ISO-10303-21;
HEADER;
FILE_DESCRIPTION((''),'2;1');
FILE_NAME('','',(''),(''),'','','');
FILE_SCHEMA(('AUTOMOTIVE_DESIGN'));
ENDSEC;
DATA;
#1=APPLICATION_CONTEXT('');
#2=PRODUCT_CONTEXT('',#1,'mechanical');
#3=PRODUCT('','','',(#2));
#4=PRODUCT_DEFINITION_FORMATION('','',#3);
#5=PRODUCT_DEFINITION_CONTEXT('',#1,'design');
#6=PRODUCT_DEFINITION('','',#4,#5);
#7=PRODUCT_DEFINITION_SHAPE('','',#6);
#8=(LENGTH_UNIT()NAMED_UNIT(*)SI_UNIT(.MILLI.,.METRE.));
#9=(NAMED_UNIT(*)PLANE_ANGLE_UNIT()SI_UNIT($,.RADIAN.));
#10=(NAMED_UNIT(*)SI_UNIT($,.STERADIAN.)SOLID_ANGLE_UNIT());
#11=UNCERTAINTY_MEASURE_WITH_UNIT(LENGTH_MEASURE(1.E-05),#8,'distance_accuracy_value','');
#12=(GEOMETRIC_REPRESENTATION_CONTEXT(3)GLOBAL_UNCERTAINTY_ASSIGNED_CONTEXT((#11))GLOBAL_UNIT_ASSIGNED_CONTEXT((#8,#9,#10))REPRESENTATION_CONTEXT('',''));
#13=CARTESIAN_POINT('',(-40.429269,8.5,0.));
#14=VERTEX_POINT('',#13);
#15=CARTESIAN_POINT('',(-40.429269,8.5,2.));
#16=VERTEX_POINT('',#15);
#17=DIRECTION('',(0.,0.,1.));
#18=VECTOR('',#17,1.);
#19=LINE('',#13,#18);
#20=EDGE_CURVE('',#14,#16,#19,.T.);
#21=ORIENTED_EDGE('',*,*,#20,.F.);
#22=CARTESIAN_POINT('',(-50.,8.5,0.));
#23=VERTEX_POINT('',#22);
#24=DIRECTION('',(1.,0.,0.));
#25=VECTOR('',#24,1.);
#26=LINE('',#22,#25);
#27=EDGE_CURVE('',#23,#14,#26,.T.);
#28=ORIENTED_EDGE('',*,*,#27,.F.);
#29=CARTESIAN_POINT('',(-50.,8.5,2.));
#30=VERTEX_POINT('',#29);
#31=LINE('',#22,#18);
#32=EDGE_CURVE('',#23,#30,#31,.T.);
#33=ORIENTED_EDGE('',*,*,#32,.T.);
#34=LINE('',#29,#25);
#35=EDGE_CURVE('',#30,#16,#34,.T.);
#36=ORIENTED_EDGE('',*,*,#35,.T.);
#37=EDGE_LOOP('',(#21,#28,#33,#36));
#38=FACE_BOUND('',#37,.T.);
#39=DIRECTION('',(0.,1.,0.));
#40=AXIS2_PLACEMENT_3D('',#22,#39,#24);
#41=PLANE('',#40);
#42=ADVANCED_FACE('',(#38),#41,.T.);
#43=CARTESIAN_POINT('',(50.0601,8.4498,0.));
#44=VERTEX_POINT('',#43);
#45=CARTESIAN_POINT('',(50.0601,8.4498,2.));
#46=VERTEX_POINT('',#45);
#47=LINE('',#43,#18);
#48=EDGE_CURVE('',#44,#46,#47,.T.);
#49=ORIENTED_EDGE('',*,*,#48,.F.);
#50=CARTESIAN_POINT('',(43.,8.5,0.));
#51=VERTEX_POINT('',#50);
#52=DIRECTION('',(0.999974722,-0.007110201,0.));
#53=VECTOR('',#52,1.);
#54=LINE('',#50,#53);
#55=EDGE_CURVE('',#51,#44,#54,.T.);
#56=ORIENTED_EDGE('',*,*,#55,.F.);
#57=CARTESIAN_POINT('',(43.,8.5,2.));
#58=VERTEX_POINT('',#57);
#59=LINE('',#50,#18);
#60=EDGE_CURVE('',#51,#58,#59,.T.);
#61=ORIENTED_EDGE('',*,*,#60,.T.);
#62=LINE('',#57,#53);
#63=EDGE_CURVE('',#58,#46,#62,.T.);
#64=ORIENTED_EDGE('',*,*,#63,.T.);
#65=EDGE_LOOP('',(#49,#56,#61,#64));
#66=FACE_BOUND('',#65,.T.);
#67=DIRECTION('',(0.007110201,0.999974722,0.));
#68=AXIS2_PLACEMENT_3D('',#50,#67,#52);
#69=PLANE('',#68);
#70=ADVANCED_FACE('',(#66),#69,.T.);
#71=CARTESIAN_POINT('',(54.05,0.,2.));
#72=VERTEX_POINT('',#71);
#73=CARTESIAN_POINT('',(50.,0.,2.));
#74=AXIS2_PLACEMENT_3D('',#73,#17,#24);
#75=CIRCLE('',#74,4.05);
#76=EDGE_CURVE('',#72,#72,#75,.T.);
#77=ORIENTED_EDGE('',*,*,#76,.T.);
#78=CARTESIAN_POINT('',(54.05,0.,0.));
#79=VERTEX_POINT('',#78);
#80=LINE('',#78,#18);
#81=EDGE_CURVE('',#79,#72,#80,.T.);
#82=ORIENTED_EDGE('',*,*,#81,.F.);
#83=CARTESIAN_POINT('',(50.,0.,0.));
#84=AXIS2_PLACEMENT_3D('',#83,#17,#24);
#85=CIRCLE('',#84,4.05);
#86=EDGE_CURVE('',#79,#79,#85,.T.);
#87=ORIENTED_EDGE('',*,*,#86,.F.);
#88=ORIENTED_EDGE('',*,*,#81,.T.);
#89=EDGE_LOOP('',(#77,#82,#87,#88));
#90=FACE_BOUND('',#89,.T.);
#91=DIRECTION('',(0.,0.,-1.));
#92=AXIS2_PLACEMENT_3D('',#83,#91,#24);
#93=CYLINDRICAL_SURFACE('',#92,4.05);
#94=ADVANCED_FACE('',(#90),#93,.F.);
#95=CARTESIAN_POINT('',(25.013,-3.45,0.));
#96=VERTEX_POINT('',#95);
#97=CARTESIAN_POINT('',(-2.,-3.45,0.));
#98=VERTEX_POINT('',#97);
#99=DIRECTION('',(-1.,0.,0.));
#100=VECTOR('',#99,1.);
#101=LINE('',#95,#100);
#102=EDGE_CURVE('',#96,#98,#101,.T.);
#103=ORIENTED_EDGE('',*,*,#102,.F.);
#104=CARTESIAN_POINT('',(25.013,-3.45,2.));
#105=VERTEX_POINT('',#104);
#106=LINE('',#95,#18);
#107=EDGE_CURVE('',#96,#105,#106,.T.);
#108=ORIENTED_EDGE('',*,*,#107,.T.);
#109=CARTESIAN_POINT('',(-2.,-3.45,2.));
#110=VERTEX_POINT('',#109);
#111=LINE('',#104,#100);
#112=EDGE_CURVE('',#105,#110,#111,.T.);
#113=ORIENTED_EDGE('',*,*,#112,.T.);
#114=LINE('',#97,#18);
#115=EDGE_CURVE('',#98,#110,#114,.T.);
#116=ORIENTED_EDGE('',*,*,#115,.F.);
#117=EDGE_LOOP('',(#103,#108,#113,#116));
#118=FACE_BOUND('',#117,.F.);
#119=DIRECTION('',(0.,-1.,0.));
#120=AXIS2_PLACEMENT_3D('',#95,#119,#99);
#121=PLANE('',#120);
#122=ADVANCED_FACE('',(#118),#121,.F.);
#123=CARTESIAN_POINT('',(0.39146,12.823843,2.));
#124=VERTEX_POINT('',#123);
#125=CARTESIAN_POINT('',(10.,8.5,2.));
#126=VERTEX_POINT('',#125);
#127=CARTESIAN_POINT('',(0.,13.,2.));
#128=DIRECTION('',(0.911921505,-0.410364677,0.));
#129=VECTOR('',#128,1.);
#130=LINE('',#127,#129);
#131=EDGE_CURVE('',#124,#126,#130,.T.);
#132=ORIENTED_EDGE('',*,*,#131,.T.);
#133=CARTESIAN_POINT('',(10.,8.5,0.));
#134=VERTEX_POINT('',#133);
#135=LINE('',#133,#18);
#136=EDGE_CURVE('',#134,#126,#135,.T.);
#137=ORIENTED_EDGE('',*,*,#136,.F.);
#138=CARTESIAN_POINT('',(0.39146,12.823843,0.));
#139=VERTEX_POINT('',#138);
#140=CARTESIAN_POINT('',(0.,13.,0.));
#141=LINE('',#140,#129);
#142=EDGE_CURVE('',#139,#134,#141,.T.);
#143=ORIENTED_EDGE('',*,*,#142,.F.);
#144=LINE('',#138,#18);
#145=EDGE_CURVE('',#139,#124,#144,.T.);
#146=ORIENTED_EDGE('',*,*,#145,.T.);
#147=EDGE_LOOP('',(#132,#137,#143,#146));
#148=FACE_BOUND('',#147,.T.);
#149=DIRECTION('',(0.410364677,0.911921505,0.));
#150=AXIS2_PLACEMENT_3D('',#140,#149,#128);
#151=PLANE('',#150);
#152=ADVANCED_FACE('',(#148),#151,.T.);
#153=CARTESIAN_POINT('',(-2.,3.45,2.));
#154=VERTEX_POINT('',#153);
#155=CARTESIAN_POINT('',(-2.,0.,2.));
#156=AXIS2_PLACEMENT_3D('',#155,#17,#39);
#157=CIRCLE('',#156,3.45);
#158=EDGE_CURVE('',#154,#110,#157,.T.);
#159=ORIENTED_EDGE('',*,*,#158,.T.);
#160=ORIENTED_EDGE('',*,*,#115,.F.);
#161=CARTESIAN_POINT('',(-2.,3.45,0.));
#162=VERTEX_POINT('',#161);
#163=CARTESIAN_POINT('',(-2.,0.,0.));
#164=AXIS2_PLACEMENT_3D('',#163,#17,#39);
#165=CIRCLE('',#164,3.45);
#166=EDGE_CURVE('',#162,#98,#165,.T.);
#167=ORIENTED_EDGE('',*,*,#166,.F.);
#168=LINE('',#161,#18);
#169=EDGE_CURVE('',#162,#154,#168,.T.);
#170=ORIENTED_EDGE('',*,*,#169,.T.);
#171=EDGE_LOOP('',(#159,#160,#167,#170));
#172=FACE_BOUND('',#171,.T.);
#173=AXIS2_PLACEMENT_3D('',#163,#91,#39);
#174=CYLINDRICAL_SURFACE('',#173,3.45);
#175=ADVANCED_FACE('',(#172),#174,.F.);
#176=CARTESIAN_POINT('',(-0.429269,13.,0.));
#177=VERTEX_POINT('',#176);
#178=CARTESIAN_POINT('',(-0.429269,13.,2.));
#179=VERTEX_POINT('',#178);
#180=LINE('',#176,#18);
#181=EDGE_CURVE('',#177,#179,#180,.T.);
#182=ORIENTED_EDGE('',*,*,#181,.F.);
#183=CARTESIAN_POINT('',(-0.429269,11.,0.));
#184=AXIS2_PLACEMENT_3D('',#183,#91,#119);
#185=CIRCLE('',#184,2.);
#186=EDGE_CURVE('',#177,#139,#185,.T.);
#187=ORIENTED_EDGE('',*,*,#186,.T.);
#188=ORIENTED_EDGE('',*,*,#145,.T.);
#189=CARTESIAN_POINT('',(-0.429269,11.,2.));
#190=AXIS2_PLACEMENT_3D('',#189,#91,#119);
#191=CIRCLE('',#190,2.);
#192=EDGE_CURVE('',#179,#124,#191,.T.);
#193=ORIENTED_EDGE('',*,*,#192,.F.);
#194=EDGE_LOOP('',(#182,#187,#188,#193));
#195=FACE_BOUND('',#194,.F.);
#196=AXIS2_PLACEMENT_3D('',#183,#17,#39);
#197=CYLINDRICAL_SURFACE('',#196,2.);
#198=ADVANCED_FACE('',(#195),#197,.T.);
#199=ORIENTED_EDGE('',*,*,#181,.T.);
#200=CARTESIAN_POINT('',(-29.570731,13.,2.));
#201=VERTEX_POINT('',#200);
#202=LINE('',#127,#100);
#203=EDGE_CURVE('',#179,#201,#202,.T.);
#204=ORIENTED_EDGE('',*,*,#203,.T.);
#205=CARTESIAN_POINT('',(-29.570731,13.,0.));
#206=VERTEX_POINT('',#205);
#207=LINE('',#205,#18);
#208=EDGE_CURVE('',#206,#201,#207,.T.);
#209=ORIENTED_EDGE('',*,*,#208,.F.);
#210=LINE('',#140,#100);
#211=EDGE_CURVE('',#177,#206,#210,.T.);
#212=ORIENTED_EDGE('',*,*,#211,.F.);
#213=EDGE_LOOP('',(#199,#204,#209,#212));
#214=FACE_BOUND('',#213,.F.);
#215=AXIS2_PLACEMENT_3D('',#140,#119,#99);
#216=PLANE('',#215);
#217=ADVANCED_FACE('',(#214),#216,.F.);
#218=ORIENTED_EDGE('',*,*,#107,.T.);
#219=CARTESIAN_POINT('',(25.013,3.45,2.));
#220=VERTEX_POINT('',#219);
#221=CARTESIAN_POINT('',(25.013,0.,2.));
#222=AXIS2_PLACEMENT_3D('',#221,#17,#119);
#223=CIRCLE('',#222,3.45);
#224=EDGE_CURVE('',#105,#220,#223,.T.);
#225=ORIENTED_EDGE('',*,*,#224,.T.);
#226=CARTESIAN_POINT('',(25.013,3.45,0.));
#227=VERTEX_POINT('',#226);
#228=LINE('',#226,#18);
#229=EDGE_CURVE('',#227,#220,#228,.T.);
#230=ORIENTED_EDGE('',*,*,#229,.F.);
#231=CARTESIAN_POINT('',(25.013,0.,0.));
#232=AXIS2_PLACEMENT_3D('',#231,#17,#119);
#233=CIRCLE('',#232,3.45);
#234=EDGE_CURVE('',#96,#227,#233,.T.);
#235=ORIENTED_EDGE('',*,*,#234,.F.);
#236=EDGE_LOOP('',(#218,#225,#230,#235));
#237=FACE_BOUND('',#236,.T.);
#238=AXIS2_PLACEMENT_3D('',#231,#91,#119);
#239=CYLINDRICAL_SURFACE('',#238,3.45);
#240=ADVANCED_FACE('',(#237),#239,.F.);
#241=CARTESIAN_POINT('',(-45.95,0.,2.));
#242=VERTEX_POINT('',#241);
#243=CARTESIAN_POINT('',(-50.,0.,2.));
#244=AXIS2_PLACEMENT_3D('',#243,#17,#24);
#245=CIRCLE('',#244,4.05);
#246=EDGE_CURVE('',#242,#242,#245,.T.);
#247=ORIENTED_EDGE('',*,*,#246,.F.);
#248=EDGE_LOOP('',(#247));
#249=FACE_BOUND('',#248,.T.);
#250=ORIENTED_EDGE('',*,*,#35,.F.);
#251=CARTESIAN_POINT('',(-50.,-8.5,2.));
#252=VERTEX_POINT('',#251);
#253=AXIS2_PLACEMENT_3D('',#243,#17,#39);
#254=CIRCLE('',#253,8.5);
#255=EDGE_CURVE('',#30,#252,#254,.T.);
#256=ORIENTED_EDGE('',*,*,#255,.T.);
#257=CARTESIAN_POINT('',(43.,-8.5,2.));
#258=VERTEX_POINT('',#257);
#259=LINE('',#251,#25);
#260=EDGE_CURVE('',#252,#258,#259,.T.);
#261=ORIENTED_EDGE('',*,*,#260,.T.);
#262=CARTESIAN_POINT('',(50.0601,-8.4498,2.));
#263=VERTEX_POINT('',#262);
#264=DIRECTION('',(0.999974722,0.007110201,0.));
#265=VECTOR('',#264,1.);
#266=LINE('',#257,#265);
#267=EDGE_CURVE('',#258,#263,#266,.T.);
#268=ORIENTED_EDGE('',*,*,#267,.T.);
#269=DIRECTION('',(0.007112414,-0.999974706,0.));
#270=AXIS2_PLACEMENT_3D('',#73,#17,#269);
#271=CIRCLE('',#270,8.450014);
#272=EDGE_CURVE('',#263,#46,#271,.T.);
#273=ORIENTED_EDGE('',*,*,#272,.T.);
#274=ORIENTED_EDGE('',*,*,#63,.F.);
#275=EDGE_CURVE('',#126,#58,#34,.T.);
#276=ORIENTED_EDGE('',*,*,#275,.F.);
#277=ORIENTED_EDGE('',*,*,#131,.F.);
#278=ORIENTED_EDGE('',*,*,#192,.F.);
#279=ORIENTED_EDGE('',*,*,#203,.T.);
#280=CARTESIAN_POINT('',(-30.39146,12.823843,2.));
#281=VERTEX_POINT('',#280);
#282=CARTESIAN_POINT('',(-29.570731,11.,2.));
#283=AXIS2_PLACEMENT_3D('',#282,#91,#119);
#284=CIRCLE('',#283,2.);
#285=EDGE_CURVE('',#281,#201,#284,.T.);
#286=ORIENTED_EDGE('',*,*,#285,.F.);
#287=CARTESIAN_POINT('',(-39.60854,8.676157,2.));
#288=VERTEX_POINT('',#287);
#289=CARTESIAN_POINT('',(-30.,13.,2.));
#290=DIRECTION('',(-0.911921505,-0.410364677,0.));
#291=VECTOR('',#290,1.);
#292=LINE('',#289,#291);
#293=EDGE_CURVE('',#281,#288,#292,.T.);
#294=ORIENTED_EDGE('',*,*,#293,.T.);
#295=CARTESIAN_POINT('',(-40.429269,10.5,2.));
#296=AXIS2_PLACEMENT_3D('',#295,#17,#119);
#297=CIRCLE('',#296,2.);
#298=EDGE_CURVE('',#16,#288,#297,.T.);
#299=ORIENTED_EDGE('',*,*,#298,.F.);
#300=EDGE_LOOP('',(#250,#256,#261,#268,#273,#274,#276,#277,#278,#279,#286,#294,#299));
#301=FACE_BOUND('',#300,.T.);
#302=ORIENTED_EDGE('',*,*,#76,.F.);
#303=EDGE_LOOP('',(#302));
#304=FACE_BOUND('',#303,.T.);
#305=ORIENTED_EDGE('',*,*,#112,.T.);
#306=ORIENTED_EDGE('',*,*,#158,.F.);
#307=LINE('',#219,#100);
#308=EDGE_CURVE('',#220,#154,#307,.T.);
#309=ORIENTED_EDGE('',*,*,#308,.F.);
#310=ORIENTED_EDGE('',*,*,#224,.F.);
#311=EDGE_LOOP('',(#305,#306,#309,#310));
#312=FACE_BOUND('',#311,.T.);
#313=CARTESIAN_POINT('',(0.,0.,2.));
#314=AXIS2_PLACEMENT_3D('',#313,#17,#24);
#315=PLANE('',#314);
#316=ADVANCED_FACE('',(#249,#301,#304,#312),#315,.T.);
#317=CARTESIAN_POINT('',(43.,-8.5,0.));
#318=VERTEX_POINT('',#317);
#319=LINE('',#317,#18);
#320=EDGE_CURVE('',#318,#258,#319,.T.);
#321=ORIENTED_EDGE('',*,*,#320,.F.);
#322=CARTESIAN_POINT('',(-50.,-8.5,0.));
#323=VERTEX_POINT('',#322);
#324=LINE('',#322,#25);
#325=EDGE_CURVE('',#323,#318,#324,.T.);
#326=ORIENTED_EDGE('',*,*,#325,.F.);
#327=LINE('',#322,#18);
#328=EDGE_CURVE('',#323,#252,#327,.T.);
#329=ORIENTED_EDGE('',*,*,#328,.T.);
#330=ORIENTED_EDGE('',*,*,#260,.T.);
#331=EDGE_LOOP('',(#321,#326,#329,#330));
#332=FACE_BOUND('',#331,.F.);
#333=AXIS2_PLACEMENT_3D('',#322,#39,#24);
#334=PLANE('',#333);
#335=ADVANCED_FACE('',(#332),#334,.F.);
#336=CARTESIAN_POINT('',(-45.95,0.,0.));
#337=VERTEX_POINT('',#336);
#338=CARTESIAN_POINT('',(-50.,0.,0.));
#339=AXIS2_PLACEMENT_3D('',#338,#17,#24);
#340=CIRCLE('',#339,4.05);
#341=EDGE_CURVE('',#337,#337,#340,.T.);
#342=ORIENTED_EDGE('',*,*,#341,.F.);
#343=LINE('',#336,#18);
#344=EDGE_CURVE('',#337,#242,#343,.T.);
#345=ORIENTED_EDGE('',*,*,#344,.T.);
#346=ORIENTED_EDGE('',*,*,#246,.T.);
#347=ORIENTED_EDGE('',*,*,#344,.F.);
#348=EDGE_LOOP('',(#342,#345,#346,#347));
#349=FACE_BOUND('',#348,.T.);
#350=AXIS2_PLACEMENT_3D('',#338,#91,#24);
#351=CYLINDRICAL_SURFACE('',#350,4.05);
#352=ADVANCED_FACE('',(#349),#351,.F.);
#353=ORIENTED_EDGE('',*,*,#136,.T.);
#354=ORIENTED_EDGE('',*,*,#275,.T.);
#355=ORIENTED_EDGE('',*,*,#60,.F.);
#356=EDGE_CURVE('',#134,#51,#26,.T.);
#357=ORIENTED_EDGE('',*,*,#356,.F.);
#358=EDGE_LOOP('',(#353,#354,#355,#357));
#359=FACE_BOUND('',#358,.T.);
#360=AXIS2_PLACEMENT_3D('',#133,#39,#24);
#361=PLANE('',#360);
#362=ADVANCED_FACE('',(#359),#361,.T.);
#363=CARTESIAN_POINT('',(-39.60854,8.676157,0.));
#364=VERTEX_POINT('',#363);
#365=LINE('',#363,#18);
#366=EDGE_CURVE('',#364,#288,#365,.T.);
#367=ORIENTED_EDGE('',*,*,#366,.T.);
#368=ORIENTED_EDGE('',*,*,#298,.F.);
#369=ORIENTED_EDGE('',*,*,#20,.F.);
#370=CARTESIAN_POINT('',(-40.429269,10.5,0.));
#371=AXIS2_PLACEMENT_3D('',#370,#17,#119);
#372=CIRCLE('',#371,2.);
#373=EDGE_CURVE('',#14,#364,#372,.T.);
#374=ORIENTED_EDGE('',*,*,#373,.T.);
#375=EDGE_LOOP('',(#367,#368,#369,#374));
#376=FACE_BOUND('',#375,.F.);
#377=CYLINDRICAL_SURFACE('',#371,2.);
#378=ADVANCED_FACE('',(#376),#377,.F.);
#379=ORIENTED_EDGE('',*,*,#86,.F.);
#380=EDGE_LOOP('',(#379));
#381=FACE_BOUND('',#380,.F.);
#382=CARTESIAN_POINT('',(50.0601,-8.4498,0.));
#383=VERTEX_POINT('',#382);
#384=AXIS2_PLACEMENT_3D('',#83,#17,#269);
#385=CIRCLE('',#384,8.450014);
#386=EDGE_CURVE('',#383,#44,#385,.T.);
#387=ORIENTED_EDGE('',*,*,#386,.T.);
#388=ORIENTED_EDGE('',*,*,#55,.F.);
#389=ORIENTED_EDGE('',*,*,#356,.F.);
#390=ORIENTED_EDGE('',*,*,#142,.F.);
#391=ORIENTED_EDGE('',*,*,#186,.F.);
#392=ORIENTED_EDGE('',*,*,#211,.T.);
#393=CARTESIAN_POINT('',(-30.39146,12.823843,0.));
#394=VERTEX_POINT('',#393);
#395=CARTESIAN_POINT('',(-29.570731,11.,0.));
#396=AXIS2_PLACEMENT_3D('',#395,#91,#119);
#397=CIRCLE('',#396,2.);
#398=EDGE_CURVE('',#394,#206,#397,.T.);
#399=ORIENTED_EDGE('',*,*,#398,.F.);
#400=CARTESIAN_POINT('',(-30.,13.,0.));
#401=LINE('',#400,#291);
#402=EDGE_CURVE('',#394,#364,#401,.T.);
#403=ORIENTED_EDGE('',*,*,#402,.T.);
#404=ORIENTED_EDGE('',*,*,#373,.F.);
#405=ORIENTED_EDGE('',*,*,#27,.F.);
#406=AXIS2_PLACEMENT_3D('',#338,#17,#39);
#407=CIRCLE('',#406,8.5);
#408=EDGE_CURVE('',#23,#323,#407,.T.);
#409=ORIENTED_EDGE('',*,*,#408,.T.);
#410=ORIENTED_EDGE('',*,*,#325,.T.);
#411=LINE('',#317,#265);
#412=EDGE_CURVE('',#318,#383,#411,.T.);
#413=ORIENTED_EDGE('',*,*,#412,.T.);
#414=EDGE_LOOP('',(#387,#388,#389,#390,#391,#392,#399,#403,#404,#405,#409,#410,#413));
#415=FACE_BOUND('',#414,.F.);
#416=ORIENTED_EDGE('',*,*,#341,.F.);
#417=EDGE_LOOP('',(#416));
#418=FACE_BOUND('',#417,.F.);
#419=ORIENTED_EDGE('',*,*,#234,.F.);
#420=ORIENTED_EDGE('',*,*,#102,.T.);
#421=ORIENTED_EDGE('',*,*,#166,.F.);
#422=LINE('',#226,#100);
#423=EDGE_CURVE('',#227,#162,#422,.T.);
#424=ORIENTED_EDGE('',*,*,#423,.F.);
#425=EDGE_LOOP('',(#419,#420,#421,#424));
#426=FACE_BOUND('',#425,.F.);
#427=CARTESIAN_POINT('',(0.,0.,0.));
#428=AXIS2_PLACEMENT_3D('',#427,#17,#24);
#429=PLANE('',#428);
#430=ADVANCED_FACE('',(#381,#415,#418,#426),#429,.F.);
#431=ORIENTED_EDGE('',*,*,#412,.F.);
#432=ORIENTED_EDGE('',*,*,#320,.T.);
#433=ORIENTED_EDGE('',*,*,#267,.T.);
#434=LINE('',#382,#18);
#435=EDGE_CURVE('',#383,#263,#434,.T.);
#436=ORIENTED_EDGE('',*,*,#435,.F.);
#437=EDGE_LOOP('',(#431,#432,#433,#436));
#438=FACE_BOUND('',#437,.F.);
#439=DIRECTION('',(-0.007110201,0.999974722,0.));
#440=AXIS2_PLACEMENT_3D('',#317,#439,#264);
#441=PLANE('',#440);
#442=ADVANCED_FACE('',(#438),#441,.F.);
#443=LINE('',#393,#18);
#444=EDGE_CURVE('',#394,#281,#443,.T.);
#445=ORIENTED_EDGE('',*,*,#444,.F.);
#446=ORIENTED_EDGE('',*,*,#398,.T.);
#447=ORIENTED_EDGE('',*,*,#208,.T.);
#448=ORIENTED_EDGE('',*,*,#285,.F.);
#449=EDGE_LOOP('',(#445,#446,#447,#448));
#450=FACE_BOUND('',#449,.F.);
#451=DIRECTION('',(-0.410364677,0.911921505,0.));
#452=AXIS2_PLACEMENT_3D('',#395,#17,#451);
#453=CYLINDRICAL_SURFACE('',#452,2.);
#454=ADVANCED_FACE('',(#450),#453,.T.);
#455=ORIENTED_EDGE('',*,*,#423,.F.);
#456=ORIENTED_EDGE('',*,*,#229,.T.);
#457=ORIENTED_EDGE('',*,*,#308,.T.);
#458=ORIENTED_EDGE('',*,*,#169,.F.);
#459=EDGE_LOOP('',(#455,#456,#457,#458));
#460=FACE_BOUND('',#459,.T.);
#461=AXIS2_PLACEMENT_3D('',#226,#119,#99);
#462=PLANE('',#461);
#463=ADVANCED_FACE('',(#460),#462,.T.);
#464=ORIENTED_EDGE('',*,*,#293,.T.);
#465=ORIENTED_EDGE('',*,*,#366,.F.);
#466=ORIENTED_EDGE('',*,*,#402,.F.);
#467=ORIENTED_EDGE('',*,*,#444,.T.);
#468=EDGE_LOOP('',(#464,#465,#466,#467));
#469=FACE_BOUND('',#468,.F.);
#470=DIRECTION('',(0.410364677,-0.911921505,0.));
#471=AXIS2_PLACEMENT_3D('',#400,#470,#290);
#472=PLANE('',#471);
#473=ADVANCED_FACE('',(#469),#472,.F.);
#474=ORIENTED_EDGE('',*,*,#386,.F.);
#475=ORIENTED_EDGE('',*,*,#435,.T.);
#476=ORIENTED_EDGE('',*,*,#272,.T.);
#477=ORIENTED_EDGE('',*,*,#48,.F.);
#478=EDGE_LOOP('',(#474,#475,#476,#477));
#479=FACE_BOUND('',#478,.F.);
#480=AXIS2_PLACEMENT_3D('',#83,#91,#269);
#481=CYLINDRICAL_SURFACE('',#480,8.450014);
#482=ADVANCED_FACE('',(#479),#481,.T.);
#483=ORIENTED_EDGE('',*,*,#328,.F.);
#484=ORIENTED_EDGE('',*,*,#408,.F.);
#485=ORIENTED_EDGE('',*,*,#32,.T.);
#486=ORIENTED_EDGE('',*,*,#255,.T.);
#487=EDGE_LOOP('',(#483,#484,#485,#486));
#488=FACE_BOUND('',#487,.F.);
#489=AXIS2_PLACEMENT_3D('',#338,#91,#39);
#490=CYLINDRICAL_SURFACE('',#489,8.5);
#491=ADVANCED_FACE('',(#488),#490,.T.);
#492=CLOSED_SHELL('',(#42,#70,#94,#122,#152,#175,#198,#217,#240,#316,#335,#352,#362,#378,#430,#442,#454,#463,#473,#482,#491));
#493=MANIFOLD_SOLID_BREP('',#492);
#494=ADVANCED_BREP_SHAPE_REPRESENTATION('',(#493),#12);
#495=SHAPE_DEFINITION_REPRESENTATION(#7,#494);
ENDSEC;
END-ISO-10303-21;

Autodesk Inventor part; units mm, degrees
ref_plane "YZ Plane" through (0, 0, 0) normal (1, 0, 0) x (0, 1, 0)
ref_plane "XZ Plane" through (0, 0, 0) normal (0, 1, 0) x (-1, 0, 0)
ref_plane "XY Plane" through (0, 0, 0) normal (0, 0, 1) x (1, 0, 0)
sketch "スケッチ1" plane through (0, 0, 0) normal (0, 0, 1) x (1, 0, 0)
  line L0 (-50, 0) -> (50, 0) construction
  circle A0 centre (-50, 0) radius 4.05
  circle A1 centre (50, 0) radius 4.05
  line L1 (-50, 8.5) -> (43, 8.5)
  line L2 (-50, -8.5) -> (43, -8.5)
  arc A2 (-50, 8.5) -> (-50, -8.5) centre (-50, 0) ccw
  arc A3 (25.013, -3.45) -> (25.013, 3.45) centre (25.013, 0) ccw
  line L3 (25.013, -3.45) -> (-2, -3.45)
  line L4 (25.013, 3.45) -> (-2, 3.45)
  arc A4 (-2, 3.45) -> (-2, -3.45) centre (-2, 0) ccw
  line L5 (43, -8.5) -> (50.0601, -8.4498)
  line L6 (43, 8.5) -> (50.0601, 8.4498)
  arc A5 (50.0601, -8.4498) -> (50.0601, 8.4498) centre (50, 0) ccw
  line L7 (0, 13) -> (-30, 13)
  line L8 (-30, 13) -> (-40, 8.5)
  line L9 (0, 13) -> (10, 8.5)
  circle A6 centre (-2, 0) radius 7 construction
  line L10 (-26.5125, -1.6815) -> (-20.6511, -11.8338) construction
  line L11 (-20.6511, -11.8338) -> (-53.7549, -30.9463) construction
  line L12 (-53.7549, -30.9463) -> (-59.6163, -20.794) construction
  line L13 (-59.6163, -20.794) -> (-26.5125, -1.6815) construction
  line L14 (-13.6037, 7.7659) -> (-48.3091, -4.7054) construction
  arc A7 (-13.6037, 7.7659) -> (-27.0705, 29.3127) centre (-18, 20) ccw construction
  line L15 (-27.0705, 29.3127) -> (-53.4886, 3.5818) construction
  arc A8 (-53.4886, 3.5818) -> (-48.3091, -4.7054) centre (-50, 0) ccw construction
  circle A9 centre (-10.3371, -5.2455) radius 1.55
  circle A10 centre (-17.0592, -2.5296) radius 1.55
  circle A11 centre (-23.7813, 0.1863) radius 1.55
  line L16 (-10.3371, -5.2455) -> (-23.7813, 0.1863) construction
  circle A12 centre (-10.3371, -5.2455) radius 2.85 construction
  line L17 (-8.9556, -8.5) -> (-7.0826, -3.8641) construction
  line L18 (-7.0826, -3.8641) -> (-25.1627, 3.4407) construction
  line L19 (-25.1627, 3.4407) -> (-27.0357, -1.1952) construction
  line L20 (-27.0357, -1.1952) -> (-8.9556, -8.5) construction
  line L21 (-10.3371, -5.2455) -> (-8.0191, -6.182) construction
  line L22 (-17.0592, -2.5296) -> (-17.9957, -4.8476) construction
  line L23 (-26.5125, -1.6815) -> (-28.0429, 2.5772) construction
  line L24 (-24.2542, -2.319) -> (-11.7372, -7.3762) construction
  line L25 (-11.7372, -7.3762) -> (-10.8007, -5.0582) construction
  line L26 (-10.8007, -5.0582) -> (-23.3177, -0.001) construction
  line L27 (-23.3177, -0.001) -> (-24.2542, -2.319) construction
  circle A13 centre (-17.0592, -2.5296) radius 2.85 construction
  point P0 (0, 0)
  point P1 (0, 0)
  dimension "d0" = 100
  dimension "d1" = 8.1
  dimension "d2" = 8.5
  dimension "d5" = 3.45
  dimension "d7" = 52
  dimension "d8" = 8.1
  dimension "d9" = 7
  dimension "d10" = 8.45
  dimension "d11" = 27.013
  dimension "d17" = 13
  dimension "d19" = 10
  dimension "d20" = 30
  dimension "d22" = 10
  dimension "d23" = 40
  dimension "d29" = 14
  dimension "d32" = 19.5
  dimension "d33" = 13.2
  dimension "d34" = 5
  dimension "d35" = 20
  dimension "d36" = 32
  dimension "d37" = 13
  dimension "d38" = 120
  dimension "d40" = 3.1
  dimension "d41" = 5.7
  dimension "d42" = 14.5
  dimension "d43" = 5
  dimension "d44" = 2.5
  dimension "d49" = 3
  dimension "d50" = 22
extrude "押し出し1" add sketch "スケッチ1" along normal blind 2
fillet "フィレット1" radius 2 4 edges at (-40, 8.5, 1) (-30, 13, 1) (0, 13, 1) (43, 8.5, 1)
sketch "スケッチ2" plane through (0, 0, 2) normal (0, 0, 1) x (1, 0, 0)
  circle A0 centre (-23.7813, 0.1863) radius 1.55
  circle A1 centre (-23.7813, 0.1863) radius 1.55
  circle A2 centre (-17.0592, -2.5296) radius 1.55
  circle A3 centre (-17.0592, -2.5296) radius 1.55
  circle A4 centre (-10.3371, -5.2455) radius 1.55
  circle A5 centre (-10.3371, -5.2455) radius 1.55
  point P0 (0, 0)
extrude "押し出し2" add sketch "スケッチ2" against normal up to surface (2 mm away)
equation "\"d7\" = 2 * d28"
equation "\"d8\" = d1"
equation "\"d11\" = d39"
equation "\"d19\" = d18"
equation "\"d22\" = d19"
properties part number "rinnku" material "GFRP"
